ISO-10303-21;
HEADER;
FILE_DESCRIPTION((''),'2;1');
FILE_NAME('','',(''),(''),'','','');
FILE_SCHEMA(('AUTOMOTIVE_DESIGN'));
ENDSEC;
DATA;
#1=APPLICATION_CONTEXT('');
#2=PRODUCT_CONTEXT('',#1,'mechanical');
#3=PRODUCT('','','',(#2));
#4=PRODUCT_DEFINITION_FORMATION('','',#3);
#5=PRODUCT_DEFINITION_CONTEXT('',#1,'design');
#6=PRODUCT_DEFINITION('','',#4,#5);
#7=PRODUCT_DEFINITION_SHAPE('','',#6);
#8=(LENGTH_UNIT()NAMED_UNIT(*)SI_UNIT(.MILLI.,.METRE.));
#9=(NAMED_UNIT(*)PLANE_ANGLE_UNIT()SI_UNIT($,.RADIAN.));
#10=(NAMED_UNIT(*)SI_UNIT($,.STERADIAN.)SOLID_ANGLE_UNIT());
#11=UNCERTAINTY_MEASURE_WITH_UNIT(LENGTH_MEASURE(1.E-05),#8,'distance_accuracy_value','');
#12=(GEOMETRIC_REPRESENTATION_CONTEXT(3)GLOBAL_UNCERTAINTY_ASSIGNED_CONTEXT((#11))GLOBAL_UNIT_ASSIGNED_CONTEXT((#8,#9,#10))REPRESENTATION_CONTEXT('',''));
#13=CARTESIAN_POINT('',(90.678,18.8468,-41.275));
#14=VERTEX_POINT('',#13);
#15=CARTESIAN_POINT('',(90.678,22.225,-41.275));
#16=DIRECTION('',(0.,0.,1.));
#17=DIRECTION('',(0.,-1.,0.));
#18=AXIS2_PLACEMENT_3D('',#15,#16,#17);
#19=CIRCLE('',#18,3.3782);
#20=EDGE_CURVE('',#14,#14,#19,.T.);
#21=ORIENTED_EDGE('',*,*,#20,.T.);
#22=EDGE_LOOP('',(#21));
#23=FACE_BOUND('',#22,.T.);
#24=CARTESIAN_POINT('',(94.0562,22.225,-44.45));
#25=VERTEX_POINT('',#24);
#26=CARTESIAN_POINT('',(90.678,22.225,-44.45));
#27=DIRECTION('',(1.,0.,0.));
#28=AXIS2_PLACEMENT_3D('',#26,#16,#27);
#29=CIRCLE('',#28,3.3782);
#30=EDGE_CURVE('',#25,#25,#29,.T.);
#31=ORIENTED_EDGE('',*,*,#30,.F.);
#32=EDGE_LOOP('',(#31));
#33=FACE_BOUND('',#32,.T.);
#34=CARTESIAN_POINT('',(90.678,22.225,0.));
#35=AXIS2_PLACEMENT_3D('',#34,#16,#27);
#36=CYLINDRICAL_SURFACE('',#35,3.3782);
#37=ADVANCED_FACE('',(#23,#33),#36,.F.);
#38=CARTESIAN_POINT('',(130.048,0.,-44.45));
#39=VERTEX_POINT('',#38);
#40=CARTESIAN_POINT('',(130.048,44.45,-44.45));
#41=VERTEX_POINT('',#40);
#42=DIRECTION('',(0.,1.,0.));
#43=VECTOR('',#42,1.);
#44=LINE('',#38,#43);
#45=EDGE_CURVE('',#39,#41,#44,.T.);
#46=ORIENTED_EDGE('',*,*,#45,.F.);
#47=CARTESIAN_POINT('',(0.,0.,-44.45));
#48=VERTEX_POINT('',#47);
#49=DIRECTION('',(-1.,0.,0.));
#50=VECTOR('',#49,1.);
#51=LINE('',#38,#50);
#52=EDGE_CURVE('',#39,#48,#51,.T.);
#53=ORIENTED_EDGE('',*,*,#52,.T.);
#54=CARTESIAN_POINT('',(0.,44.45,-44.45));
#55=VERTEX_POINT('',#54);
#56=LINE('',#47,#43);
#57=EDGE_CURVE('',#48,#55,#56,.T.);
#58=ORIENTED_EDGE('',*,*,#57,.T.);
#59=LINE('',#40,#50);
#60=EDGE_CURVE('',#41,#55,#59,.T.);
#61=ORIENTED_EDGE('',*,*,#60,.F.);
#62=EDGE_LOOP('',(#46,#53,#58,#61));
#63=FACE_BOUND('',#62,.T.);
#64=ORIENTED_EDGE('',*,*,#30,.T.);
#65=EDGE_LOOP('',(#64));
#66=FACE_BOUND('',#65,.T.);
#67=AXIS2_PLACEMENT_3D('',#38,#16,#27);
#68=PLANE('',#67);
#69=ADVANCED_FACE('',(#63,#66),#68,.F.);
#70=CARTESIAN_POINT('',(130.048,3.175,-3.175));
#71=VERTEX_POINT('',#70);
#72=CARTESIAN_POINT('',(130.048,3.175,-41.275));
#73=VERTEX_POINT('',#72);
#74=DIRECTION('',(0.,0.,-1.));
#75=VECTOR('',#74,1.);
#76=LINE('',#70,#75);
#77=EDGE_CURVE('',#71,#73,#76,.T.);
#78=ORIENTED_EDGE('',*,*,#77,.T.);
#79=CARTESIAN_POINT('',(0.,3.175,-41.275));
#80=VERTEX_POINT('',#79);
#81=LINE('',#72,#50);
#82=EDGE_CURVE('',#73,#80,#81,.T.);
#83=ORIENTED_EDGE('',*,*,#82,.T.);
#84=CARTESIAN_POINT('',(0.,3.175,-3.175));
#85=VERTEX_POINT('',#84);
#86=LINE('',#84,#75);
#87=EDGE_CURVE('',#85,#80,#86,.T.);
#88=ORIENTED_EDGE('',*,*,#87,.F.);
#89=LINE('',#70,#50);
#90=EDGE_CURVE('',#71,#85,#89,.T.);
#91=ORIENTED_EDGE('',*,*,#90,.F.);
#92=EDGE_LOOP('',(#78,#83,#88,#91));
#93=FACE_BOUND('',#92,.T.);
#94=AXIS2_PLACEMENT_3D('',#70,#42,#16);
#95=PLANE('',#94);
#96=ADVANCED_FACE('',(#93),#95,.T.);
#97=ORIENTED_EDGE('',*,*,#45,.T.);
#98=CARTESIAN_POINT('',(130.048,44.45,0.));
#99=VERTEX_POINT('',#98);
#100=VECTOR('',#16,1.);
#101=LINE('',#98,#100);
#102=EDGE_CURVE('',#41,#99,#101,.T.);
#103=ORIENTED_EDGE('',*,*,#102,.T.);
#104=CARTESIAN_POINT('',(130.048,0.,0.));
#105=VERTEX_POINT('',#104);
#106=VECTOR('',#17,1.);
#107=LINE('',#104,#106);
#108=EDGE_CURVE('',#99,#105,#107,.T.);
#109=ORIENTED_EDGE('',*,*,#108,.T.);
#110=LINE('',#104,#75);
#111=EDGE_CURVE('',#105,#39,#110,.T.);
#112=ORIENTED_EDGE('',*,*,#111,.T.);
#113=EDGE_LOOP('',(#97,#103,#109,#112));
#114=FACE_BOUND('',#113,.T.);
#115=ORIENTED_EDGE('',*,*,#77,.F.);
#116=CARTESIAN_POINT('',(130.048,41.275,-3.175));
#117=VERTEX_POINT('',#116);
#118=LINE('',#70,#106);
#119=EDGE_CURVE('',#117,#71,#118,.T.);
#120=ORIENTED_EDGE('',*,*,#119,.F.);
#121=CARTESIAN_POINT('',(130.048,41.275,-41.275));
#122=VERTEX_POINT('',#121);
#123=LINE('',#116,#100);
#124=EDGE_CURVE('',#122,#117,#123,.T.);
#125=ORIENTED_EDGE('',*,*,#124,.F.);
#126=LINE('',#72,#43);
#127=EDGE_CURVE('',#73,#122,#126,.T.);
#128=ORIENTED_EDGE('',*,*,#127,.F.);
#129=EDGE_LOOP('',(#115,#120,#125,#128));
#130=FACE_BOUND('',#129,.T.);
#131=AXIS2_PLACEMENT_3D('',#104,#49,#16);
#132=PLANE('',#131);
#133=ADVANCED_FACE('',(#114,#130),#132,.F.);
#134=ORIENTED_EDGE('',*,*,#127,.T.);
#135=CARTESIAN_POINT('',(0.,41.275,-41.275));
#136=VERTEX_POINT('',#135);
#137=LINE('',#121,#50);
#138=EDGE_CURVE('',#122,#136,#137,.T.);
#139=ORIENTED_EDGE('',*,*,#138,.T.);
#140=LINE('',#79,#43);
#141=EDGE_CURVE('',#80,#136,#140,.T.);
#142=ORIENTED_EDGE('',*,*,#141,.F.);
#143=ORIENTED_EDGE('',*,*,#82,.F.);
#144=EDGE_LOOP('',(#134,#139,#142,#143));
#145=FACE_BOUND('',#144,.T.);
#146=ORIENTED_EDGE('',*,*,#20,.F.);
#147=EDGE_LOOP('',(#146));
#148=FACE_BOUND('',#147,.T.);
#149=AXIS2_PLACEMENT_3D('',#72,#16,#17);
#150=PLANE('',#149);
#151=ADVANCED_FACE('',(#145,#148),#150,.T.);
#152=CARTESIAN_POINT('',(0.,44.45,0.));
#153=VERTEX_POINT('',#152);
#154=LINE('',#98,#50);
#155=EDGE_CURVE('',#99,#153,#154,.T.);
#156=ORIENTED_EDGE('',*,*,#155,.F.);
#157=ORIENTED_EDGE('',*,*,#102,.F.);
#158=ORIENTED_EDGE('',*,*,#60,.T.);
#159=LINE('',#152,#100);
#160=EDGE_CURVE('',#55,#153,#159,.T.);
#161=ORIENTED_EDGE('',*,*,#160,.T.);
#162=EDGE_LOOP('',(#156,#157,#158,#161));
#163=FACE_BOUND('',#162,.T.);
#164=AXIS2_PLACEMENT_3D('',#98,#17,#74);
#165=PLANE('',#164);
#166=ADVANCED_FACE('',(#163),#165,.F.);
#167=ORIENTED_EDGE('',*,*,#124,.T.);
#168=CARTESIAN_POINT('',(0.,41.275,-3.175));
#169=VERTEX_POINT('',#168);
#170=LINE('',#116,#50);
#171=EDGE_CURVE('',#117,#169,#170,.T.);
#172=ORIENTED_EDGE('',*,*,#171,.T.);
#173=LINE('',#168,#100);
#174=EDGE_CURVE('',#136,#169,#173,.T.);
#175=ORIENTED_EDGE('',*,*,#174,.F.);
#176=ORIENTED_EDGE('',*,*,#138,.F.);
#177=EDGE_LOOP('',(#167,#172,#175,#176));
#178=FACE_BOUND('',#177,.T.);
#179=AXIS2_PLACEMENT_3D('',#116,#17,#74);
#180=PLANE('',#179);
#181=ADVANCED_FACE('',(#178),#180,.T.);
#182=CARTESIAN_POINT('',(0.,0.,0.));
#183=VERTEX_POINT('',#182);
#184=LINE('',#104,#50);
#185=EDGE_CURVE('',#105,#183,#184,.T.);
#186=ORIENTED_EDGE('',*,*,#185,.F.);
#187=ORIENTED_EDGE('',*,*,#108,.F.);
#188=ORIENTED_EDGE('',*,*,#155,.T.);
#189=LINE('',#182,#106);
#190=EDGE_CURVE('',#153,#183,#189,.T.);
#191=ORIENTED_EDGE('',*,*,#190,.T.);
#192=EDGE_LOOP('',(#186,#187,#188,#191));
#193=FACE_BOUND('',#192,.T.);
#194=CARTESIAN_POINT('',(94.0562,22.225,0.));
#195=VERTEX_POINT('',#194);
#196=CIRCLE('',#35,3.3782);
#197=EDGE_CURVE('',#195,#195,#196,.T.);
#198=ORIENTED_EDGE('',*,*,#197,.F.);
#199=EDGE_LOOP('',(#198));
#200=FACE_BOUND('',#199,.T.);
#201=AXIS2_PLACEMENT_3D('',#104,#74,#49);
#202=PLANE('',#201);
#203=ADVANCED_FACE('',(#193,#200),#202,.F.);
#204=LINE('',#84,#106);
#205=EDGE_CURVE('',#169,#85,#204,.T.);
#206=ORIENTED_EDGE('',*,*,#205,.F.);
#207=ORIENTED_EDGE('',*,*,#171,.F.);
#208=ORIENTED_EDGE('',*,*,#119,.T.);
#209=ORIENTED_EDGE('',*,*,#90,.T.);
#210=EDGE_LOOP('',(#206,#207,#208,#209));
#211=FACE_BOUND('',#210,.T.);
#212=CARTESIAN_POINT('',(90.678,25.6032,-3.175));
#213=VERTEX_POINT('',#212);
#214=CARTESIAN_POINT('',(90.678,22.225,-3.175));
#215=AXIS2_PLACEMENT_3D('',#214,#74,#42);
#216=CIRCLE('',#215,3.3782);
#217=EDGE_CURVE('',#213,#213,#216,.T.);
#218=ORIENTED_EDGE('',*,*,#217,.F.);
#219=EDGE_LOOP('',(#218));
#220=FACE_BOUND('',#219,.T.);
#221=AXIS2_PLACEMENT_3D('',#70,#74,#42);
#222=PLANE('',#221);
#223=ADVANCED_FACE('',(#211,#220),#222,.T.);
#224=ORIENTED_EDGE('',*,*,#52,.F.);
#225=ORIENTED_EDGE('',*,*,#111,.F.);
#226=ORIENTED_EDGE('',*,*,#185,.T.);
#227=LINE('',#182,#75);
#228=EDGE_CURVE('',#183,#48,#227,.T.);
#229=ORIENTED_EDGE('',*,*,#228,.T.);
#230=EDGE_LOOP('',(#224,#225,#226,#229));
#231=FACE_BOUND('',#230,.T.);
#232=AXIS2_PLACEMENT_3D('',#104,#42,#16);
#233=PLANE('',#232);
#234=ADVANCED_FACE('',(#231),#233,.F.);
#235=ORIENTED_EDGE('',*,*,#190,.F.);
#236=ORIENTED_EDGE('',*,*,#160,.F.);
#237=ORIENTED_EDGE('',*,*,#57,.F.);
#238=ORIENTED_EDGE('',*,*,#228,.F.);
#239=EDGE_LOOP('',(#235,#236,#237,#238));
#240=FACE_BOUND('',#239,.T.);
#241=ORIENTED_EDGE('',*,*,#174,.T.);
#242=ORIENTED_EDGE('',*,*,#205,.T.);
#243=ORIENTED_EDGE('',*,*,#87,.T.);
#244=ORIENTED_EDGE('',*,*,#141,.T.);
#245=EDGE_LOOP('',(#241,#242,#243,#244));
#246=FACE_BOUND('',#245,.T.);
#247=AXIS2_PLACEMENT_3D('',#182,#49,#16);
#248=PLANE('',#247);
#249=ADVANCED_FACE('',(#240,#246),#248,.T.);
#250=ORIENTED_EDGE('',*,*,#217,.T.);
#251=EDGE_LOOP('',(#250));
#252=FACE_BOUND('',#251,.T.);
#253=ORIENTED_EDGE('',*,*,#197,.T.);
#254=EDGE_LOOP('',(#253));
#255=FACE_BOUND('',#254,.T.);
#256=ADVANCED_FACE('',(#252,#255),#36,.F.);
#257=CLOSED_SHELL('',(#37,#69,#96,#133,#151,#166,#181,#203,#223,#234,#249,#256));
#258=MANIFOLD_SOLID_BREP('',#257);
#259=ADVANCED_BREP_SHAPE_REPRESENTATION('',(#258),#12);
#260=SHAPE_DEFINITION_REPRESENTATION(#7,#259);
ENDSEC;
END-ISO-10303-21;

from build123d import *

# Parameters (mm, degrees)
SKETCH2_W               = 44.45
SKETCH2_H               = 44.45
SKETCH2_W_2             = 38.1
SKETCH2_H_2             = 38.1
BOSS_EXTRUDE1_DEPTH     = 130.048
F_1_4_CLEARANCE_HOLE1_D = 6.7564


with BuildPart() as part:
    # Sketch2 → Boss-Extrude1 (new body)
    with BuildSketch(Plane(origin=(0, 0, 0), x_dir=(0, 0, -1), z_dir=(1, 0, 0))):
        with Locations((22.225, 22.225)):
            Rectangle(SKETCH2_W, SKETCH2_H)
        with Locations((22.225, 22.225)):
            Rectangle(SKETCH2_W_2, SKETCH2_H_2, mode=Mode.SUBTRACT)
    extrude(amount=BOSS_EXTRUDE1_DEPTH)

    # 1/4 Clearance Hole1 (through all)
    with Locations(Plane.XY):
        with Locations((90.678, 22.225)):
            Hole(F_1_4_CLEARANCE_HOLE1_D / 2)


solid = part.part
